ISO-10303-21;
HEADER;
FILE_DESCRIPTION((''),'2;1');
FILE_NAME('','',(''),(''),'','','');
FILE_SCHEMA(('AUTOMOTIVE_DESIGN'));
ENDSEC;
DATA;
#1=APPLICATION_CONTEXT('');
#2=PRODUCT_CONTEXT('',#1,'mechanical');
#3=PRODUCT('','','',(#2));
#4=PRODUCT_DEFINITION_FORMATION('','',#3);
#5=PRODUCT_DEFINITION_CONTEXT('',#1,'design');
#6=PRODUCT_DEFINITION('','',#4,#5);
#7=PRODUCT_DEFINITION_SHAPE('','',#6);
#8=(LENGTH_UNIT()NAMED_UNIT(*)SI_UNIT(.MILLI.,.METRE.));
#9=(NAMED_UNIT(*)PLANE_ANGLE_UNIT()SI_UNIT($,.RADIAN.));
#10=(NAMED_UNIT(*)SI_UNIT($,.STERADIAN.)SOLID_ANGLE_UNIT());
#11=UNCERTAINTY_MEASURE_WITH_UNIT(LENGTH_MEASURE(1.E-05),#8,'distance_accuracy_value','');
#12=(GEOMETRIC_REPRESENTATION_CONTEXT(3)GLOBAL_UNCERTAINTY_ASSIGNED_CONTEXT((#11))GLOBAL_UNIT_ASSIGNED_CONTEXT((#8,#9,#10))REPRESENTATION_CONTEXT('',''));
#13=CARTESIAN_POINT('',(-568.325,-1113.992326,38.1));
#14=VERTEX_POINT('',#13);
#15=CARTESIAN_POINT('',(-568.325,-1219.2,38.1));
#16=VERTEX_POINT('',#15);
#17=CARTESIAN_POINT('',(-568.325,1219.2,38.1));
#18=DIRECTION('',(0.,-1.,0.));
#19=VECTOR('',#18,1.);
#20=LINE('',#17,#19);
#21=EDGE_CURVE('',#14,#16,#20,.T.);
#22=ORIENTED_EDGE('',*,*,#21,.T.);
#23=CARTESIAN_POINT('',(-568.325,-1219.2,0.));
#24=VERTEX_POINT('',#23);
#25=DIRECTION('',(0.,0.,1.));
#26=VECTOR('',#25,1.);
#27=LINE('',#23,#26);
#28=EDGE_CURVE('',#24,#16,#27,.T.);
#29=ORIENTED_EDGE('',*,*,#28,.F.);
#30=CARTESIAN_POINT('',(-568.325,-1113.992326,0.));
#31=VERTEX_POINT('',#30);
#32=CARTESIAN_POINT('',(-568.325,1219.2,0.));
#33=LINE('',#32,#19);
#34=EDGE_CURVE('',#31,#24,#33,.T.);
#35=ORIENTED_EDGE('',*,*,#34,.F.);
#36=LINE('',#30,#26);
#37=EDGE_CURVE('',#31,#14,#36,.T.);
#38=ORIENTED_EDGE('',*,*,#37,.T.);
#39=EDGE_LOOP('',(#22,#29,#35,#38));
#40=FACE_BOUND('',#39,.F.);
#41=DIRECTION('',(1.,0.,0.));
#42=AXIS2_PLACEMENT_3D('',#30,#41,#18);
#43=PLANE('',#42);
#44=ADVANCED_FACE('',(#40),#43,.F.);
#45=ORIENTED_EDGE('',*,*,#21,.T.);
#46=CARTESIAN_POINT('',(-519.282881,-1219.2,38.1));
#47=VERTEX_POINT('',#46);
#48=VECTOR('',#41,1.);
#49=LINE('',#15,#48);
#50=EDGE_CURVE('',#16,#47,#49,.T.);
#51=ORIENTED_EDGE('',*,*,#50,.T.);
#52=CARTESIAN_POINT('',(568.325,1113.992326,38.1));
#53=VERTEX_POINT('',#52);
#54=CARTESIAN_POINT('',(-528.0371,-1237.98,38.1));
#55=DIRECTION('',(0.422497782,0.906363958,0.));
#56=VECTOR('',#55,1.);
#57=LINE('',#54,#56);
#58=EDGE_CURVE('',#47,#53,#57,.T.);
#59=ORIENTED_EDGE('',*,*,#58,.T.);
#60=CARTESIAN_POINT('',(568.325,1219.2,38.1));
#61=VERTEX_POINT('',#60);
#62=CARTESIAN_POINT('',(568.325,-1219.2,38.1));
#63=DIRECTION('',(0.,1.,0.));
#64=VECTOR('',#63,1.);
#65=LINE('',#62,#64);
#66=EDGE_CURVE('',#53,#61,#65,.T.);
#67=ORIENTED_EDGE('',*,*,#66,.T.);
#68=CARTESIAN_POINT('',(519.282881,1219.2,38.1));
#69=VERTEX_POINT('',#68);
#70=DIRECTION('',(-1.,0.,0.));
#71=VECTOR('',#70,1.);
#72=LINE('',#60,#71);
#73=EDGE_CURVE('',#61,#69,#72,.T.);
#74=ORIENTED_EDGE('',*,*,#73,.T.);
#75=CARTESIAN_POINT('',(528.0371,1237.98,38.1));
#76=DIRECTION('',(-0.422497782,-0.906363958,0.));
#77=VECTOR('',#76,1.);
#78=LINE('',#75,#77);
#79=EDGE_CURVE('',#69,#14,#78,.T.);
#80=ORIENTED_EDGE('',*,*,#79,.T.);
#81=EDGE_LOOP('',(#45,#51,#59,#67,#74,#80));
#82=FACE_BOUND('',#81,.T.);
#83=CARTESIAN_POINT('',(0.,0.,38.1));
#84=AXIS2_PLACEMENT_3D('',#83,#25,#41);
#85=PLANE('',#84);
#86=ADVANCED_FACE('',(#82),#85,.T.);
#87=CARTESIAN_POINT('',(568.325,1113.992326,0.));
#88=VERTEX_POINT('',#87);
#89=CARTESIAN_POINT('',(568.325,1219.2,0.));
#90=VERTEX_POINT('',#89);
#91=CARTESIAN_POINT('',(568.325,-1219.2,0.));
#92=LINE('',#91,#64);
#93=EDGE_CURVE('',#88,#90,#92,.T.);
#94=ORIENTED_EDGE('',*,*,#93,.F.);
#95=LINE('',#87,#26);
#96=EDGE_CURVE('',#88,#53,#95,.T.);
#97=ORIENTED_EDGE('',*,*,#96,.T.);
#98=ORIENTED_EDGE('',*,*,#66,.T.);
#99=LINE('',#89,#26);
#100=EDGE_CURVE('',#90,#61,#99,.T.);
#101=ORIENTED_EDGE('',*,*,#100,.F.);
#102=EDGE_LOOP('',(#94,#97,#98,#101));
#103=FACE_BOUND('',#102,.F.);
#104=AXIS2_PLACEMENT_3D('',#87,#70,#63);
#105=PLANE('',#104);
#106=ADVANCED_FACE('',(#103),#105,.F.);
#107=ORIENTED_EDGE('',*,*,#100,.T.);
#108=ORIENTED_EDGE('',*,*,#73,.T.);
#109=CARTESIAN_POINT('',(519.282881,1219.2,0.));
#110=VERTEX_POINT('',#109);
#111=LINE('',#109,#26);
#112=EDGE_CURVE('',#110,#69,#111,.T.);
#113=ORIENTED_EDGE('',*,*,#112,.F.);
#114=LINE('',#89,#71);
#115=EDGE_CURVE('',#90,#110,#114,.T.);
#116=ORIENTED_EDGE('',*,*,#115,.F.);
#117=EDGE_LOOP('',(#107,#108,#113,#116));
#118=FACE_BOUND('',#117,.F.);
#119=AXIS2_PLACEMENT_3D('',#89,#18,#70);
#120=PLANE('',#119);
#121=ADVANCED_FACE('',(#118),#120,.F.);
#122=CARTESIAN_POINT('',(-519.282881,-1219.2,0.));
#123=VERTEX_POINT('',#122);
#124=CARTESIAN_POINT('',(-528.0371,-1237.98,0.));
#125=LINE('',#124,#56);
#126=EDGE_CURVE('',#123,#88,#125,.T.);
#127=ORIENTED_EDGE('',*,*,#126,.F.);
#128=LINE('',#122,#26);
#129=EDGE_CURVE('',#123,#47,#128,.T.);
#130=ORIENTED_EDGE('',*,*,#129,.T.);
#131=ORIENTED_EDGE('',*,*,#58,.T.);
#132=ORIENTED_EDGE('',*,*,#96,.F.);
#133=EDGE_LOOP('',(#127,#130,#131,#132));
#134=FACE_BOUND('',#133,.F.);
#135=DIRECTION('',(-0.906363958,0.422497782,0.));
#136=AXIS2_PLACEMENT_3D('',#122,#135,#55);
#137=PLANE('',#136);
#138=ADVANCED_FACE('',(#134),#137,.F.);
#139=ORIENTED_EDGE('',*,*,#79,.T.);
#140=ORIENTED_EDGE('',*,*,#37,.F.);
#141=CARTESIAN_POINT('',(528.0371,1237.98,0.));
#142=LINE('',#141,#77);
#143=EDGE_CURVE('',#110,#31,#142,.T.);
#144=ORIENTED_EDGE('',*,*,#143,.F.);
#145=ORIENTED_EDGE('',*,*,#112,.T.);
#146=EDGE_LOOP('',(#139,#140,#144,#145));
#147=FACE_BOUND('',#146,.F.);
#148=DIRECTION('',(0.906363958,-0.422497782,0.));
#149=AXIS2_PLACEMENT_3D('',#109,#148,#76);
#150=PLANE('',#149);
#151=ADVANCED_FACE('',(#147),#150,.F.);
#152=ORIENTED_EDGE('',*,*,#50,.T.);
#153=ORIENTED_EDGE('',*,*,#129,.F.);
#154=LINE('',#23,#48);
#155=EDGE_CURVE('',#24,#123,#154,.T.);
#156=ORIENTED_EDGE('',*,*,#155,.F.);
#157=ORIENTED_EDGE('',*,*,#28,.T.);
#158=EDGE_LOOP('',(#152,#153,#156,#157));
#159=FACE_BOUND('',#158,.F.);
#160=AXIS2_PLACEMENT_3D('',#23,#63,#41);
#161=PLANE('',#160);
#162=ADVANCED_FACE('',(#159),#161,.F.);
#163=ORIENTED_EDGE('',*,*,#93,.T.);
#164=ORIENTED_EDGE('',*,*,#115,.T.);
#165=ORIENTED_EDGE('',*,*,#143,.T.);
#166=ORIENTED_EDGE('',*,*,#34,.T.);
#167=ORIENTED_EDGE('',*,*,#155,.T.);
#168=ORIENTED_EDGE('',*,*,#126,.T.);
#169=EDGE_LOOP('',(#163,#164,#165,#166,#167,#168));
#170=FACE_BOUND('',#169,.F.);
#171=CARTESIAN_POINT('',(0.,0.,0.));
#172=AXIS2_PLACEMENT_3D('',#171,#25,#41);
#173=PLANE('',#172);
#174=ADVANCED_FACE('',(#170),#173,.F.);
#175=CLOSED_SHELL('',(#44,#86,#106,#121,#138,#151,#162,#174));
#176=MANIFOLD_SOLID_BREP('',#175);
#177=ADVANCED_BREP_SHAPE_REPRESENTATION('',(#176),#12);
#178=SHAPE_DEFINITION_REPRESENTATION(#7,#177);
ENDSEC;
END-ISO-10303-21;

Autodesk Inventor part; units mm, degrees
ref_plane "YZ Plane" through (0, 0, 0) normal (1, 0, 0) x (0, 1, 0)
ref_plane "XZ Plane" through (0, 0, 0) normal (0, 1, 0) x (-1, 0, 0)
ref_plane "XY Plane" through (0, 0, 0) normal (0, 0, 1) x (1, 0, 0)
sketch "Sketch1" plane through (0, 0, 0) normal (0, 0, 1) x (1, 0, 0)
  line L0 (-568.325, -1219.2) -> (568.325, -1219.2)
  line L1 (568.325, -1219.2) -> (568.325, 1219.2)
  line L2 (568.325, 1219.2) -> (-568.325, 1219.2)
  line L3 (-568.325, 1219.2) -> (-568.325, -1219.2)
  line L4 (-568.325, -1219.2) -> (568.325, 1219.2) construction
  line L5 (568.325, -1219.2) -> (-568.325, 1219.2) construction
  line L6 (568.325, 1219.2) -> (-568.325, -1219.2)
  line L7 (-528.0371, -1237.98) -> (-608.6129, -1200.42)
  line L8 (608.6129, 1200.42) -> (528.0371, 1237.98)
  line L9 (528.0371, 1237.98) -> (-608.6129, -1200.42)
  line L10 (-528.0371, -1237.98) -> (608.6129, 1200.42)
  point P0 (0, 0)
  point P1 (519.2829, 1219.2)
  point P2 (-568.325, -1113.9923)
  point P3 (-519.2829, -1219.2)
  point P4 (568.325, 1113.9923)
  dimension "d0" = 1136.65
  dimension "d1" = 2438.4
  dimension "d2" = 88.9
  dimension "d3" = 88.9
extrude "Extrusion1" add sketch "Sketch1" along normal blind 38.1 contours L6 L1 L10 L0 | L3 L9 L2 L6
properties part number "S_2x4x105.918"
